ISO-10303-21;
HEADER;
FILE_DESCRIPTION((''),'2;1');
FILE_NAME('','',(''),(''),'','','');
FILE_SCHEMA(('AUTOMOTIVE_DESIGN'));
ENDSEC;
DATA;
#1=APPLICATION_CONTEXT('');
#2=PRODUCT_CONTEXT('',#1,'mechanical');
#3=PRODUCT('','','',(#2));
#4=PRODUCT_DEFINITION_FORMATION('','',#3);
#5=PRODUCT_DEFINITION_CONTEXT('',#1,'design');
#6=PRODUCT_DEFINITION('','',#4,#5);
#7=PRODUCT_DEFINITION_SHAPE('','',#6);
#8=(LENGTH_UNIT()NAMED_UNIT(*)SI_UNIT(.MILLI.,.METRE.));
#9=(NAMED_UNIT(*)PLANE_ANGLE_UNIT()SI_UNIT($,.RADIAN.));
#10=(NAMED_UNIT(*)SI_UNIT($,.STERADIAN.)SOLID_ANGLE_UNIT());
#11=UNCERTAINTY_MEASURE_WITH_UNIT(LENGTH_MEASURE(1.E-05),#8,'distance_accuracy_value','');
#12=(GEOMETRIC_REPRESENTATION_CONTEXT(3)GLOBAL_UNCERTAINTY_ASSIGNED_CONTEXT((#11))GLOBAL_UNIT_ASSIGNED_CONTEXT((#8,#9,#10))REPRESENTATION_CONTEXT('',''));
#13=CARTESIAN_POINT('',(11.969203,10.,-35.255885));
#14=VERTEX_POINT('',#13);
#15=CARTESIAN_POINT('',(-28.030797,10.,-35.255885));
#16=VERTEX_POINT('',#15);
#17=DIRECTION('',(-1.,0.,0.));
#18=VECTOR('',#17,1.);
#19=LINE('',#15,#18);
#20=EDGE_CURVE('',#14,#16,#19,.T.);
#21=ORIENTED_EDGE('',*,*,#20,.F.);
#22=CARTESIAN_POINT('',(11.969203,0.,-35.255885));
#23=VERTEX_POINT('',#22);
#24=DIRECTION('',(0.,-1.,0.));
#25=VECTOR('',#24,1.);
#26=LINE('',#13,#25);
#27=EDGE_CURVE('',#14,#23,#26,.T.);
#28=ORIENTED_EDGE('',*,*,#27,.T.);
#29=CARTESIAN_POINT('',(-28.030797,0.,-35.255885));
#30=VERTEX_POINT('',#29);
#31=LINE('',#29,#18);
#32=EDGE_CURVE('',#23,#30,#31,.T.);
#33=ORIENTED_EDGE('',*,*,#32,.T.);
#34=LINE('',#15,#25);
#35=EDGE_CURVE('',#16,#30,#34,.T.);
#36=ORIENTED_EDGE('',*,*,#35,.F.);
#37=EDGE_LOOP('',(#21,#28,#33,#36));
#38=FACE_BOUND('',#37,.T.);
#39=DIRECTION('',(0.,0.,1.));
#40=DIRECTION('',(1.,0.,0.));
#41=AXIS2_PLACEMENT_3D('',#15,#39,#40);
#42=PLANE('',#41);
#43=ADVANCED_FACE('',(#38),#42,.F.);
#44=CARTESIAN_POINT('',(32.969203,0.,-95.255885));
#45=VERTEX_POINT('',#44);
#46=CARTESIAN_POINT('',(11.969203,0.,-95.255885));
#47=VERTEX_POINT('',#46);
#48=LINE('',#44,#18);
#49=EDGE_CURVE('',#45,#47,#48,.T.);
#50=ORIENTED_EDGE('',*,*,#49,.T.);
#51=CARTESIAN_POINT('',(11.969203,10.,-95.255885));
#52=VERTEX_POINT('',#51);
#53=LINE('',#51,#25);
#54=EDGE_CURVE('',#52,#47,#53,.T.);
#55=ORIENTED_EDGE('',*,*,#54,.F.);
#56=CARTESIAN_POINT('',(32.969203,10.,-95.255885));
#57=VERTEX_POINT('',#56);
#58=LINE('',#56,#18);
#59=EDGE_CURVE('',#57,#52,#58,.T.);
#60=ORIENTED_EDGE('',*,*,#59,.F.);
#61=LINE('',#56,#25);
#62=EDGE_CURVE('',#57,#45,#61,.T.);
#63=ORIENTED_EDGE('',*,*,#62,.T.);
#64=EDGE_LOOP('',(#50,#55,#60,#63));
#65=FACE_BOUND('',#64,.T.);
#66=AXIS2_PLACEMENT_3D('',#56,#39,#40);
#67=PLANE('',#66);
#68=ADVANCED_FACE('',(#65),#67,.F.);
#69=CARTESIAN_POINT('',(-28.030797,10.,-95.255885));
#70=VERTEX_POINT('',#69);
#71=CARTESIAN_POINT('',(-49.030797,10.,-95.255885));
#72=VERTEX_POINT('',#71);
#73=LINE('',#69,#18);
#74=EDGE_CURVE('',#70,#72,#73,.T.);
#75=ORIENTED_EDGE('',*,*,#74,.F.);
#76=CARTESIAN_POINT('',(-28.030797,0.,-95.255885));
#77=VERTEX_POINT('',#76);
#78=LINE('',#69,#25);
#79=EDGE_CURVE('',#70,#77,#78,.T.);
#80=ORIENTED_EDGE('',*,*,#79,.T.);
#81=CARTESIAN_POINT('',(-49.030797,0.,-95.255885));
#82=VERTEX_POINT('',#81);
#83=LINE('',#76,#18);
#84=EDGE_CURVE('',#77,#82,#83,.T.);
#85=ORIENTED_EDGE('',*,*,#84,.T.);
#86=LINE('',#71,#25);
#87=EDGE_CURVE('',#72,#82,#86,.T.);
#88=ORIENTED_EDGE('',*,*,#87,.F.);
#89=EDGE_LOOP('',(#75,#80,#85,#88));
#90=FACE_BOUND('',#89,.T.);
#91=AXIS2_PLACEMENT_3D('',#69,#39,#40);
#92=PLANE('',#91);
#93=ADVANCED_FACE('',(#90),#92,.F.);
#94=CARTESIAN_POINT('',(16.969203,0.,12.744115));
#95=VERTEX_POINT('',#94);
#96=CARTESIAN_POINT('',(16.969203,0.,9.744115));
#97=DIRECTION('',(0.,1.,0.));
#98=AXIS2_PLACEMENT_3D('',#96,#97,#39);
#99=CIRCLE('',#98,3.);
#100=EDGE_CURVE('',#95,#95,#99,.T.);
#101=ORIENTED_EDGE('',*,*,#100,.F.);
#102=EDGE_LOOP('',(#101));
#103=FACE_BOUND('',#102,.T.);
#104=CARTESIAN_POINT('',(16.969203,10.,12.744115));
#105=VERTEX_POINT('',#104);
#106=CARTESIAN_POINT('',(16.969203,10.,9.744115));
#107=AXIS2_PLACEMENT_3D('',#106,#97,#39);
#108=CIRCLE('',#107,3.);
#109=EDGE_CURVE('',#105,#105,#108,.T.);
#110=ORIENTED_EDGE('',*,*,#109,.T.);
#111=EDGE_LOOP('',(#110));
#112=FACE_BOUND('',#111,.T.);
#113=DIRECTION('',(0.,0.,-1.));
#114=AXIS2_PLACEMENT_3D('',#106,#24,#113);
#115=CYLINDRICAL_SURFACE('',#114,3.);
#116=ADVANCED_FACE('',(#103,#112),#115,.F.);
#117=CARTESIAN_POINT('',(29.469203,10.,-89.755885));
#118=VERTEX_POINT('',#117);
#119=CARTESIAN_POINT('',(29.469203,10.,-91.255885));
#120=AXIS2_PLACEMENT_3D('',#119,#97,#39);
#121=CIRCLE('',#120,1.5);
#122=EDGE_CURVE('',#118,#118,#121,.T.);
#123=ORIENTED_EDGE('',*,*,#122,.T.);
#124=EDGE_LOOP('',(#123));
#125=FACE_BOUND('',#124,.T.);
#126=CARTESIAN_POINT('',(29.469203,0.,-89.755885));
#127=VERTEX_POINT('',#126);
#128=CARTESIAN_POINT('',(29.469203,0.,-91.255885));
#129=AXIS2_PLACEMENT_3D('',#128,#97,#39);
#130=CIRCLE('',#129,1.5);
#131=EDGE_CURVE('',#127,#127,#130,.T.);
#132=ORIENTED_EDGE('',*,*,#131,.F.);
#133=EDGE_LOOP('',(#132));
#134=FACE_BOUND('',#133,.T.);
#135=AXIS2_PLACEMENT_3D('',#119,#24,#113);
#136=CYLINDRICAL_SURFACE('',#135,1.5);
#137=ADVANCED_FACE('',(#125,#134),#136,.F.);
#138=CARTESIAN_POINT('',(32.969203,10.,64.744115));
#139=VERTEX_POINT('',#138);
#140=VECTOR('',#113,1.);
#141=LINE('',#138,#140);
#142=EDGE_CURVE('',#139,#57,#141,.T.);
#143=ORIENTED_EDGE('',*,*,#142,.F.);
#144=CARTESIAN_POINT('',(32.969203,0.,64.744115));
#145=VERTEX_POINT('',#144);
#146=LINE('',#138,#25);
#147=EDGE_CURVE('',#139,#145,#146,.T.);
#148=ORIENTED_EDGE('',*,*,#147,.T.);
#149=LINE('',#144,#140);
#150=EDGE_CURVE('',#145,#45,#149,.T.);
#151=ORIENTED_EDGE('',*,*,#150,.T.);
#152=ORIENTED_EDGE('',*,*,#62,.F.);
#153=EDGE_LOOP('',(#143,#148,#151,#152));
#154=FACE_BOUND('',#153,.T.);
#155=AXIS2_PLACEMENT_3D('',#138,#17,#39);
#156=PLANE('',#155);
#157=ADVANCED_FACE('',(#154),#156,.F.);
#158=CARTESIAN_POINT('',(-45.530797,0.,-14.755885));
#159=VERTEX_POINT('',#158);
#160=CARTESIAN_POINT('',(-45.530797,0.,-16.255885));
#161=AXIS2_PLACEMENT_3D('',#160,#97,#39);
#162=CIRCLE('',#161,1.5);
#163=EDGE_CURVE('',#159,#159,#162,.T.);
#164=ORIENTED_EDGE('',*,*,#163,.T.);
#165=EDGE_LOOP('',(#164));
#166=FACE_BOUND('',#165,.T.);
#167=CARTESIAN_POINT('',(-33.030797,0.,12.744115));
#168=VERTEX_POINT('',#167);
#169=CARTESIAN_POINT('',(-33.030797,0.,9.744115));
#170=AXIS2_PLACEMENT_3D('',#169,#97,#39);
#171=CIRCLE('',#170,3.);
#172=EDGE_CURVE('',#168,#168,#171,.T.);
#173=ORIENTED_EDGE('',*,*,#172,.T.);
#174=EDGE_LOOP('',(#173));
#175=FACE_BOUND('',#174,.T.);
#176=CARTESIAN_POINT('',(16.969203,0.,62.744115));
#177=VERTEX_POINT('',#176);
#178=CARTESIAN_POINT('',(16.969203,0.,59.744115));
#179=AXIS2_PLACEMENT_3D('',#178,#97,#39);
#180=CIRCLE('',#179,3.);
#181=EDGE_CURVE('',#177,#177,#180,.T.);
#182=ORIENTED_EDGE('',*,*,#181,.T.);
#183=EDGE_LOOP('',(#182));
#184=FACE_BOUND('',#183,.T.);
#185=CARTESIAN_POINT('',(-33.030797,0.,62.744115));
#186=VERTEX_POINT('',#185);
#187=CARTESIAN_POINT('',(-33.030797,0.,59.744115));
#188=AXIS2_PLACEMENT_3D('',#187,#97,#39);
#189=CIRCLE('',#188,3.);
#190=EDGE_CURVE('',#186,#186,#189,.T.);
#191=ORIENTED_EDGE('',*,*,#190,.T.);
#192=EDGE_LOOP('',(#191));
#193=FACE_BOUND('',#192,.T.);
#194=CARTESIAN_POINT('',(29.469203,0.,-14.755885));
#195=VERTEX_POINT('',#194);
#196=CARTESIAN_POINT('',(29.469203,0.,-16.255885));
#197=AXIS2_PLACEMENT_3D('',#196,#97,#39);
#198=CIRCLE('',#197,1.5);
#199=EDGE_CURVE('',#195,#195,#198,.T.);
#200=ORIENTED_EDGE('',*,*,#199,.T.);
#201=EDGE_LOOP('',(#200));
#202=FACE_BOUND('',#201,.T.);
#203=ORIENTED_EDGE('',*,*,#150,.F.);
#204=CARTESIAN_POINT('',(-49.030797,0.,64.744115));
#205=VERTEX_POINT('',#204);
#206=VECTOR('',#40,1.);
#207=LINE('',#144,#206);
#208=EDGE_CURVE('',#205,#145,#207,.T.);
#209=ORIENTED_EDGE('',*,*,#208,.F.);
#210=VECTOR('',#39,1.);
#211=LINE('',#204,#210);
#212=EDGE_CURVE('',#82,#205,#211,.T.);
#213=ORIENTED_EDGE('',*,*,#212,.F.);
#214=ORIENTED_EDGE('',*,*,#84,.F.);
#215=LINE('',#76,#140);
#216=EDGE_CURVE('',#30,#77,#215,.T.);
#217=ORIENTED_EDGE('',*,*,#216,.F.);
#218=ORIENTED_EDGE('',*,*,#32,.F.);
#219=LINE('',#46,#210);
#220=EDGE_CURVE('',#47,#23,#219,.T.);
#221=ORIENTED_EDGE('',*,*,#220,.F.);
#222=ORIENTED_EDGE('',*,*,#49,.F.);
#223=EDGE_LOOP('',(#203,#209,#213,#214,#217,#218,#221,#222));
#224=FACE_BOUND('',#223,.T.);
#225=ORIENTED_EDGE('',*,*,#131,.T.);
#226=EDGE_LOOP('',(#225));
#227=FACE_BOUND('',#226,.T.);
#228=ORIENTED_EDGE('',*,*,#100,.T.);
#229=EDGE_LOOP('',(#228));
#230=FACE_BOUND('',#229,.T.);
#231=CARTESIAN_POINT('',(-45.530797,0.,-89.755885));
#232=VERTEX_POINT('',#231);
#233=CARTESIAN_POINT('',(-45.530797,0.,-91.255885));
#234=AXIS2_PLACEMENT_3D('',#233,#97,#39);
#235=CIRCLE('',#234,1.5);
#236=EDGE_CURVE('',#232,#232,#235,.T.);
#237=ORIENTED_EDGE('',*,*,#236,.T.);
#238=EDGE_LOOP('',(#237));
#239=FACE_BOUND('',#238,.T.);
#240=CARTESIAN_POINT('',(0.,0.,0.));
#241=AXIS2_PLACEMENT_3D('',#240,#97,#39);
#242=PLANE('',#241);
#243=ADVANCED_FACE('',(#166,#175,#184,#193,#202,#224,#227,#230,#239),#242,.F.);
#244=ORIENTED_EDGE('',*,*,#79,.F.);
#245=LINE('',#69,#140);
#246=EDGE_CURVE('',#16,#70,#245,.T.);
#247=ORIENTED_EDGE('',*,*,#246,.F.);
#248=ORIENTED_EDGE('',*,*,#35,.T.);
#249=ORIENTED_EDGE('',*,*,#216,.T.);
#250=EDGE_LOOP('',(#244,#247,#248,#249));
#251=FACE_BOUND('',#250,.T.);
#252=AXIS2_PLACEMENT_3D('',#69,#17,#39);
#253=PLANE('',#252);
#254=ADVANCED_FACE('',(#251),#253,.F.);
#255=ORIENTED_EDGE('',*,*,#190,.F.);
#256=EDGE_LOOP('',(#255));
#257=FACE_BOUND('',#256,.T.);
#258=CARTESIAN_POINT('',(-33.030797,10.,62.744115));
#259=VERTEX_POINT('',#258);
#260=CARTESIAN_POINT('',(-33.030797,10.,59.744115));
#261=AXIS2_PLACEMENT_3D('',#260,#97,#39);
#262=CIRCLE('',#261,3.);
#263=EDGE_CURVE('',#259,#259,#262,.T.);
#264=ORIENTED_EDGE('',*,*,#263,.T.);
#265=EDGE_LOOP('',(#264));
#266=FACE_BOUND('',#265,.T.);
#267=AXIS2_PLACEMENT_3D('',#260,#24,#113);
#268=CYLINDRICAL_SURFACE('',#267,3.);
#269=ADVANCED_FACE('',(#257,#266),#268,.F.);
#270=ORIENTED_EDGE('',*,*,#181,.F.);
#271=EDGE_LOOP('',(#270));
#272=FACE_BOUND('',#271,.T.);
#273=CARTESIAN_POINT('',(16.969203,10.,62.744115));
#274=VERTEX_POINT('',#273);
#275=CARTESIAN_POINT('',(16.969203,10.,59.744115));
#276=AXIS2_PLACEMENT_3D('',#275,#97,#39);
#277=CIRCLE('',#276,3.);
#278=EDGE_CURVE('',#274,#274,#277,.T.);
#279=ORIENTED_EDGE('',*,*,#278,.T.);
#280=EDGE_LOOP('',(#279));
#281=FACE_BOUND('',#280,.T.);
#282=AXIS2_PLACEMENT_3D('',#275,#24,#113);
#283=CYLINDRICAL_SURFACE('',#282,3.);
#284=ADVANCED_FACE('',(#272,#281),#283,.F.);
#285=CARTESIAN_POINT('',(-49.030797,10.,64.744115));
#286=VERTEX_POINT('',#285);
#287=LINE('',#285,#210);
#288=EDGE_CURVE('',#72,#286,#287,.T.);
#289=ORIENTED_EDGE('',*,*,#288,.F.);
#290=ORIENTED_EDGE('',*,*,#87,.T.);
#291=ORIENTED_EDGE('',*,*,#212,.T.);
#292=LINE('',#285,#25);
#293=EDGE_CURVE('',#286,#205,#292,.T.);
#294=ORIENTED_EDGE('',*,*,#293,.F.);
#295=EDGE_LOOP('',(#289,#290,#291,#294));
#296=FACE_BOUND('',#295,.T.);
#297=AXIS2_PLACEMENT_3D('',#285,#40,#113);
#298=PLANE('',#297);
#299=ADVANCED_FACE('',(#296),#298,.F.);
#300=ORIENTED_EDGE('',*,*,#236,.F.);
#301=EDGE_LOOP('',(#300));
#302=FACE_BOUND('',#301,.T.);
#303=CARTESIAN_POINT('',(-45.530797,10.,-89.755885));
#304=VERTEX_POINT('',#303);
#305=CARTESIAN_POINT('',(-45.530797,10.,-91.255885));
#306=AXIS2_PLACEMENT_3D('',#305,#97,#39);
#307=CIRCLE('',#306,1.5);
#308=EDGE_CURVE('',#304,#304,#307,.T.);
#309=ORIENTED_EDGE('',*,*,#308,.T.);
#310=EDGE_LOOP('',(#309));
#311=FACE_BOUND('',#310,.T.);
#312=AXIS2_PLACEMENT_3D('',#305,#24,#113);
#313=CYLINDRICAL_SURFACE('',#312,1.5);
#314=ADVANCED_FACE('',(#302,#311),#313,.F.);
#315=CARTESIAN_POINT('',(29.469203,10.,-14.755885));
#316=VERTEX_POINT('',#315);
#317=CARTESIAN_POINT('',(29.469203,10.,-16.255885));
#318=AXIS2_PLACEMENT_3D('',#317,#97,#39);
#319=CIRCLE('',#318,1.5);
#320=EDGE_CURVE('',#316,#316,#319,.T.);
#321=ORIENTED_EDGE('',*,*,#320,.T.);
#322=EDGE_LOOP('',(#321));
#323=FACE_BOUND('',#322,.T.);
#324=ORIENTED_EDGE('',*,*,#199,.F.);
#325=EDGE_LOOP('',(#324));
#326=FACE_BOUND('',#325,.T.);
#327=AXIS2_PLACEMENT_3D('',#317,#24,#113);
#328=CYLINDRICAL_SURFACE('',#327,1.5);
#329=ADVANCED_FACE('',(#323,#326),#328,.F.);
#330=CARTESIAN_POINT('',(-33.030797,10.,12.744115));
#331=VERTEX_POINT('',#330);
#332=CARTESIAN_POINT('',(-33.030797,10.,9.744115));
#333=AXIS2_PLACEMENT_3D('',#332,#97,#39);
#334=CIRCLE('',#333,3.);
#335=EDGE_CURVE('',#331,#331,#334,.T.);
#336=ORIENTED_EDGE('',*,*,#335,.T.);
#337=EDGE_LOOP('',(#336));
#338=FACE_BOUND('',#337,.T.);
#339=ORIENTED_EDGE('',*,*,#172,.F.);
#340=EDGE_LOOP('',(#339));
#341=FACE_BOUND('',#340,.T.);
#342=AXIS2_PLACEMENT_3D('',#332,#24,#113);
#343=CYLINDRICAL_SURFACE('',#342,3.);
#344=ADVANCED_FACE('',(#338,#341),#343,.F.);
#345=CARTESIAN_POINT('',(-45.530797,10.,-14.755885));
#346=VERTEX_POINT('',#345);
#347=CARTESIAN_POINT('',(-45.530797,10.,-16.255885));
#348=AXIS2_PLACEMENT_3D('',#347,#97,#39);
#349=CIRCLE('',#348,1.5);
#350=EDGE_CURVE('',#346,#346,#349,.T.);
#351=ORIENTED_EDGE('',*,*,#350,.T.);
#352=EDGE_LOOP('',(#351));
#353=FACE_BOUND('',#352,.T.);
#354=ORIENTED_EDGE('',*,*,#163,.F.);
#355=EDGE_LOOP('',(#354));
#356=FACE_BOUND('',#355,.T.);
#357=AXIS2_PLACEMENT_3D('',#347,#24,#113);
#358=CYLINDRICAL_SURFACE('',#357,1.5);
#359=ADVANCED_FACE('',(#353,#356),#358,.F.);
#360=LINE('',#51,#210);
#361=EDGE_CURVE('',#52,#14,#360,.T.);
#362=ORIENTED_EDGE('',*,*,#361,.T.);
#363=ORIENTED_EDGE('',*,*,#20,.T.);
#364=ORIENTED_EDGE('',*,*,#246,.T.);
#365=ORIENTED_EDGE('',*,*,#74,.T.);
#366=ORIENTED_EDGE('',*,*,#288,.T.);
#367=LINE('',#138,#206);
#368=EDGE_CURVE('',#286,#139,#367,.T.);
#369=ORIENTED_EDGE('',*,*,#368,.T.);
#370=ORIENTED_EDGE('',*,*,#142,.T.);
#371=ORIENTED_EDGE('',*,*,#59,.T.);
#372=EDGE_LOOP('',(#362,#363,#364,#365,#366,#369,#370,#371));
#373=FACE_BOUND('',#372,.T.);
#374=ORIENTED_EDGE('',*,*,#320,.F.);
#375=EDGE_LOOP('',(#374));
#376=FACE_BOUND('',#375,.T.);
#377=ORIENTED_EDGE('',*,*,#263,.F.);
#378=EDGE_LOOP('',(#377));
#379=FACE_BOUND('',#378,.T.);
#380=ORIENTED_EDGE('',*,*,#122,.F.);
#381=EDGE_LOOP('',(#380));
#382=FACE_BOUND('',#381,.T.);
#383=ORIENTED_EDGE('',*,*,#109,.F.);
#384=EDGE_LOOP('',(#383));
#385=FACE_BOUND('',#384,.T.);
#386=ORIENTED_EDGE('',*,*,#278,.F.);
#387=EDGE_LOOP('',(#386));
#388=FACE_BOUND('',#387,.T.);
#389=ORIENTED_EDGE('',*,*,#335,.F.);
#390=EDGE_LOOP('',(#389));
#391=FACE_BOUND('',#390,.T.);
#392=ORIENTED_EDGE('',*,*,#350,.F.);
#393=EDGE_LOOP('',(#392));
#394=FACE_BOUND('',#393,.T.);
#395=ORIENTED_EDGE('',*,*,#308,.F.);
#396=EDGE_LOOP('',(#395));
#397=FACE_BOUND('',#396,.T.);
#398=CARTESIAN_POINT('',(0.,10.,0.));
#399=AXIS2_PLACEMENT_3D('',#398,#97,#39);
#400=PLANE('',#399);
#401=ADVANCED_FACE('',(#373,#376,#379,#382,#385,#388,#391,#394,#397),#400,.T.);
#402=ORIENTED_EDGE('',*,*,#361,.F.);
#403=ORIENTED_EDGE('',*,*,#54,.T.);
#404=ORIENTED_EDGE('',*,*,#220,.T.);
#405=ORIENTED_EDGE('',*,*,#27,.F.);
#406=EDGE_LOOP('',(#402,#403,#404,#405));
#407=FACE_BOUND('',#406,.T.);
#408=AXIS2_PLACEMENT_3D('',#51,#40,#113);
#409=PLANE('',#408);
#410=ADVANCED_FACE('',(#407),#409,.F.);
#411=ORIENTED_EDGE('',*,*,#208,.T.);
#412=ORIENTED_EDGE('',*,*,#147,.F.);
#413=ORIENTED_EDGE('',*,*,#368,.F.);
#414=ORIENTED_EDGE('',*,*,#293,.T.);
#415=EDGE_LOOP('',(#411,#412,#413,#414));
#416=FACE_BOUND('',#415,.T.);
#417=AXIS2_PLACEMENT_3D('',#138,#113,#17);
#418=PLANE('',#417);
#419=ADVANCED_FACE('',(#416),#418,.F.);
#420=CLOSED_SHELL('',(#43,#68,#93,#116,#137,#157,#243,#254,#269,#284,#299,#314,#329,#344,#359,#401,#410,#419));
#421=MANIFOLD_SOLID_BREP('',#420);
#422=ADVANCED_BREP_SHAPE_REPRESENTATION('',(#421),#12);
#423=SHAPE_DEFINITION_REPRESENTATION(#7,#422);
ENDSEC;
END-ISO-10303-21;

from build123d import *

# Parameters (mm, degrees)
SKETCH1_R           = 3
SKETCH1_R_2         = 1.5
BOSS_EXTRUDE1_DEPTH = 10


with BuildPart() as part:
    # Sketch1 → Boss-Extrude1 (new body)
    with BuildSketch(Plane(origin=(0, 0, 0), x_dir=(1, 0, 0), z_dir=(0, 1, 0))):
        Polygon((32.969203123, -64.744115369), (-49.030796877, -64.744115369), (-49.030796877, 95.255884631), (-28.030796877, 95.255884631), (-28.030796877, 35.255884631), (11.969203123, 35.255884631), (11.969203123, 95.255884631), (32.969203123, 95.255884631), align=None)
        with Locations(Location((-33.030796877, -59.744115369, 0), (0, 0, 270))):
            Circle(SKETCH1_R, mode=Mode.SUBTRACT)
        with Locations(Location((16.969203123, -59.744115369, 0), (0, 0, 270))):
            Circle(SKETCH1_R, mode=Mode.SUBTRACT)
        with Locations(Location((16.969203123, -9.744115369, 0), (0, 0, 270))):
            Circle(SKETCH1_R, mode=Mode.SUBTRACT)
        with Locations(Location((-33.030796877, -9.744115369, 0), (0, 0, 270))):
            Circle(SKETCH1_R, mode=Mode.SUBTRACT)
        with Locations(Location((-45.530796877, 91.255884631, 0), (0, 0, 270))):
            Circle(SKETCH1_R_2, mode=Mode.SUBTRACT)
        with Locations(Location((29.469203123, 91.255884631, 0), (0, 0, 270))):
            Circle(SKETCH1_R_2, mode=Mode.SUBTRACT)
        with Locations(Location((29.469203123, 16.255884631, 0), (0, 0, 270))):
            Circle(SKETCH1_R_2, mode=Mode.SUBTRACT)
        with Locations(Location((-45.530796877, 16.255884631, 0), (0, 0, 270))):
            Circle(SKETCH1_R_2, mode=Mode.SUBTRACT)
    extrude(amount=BOSS_EXTRUDE1_DEPTH)


solid = part.part
